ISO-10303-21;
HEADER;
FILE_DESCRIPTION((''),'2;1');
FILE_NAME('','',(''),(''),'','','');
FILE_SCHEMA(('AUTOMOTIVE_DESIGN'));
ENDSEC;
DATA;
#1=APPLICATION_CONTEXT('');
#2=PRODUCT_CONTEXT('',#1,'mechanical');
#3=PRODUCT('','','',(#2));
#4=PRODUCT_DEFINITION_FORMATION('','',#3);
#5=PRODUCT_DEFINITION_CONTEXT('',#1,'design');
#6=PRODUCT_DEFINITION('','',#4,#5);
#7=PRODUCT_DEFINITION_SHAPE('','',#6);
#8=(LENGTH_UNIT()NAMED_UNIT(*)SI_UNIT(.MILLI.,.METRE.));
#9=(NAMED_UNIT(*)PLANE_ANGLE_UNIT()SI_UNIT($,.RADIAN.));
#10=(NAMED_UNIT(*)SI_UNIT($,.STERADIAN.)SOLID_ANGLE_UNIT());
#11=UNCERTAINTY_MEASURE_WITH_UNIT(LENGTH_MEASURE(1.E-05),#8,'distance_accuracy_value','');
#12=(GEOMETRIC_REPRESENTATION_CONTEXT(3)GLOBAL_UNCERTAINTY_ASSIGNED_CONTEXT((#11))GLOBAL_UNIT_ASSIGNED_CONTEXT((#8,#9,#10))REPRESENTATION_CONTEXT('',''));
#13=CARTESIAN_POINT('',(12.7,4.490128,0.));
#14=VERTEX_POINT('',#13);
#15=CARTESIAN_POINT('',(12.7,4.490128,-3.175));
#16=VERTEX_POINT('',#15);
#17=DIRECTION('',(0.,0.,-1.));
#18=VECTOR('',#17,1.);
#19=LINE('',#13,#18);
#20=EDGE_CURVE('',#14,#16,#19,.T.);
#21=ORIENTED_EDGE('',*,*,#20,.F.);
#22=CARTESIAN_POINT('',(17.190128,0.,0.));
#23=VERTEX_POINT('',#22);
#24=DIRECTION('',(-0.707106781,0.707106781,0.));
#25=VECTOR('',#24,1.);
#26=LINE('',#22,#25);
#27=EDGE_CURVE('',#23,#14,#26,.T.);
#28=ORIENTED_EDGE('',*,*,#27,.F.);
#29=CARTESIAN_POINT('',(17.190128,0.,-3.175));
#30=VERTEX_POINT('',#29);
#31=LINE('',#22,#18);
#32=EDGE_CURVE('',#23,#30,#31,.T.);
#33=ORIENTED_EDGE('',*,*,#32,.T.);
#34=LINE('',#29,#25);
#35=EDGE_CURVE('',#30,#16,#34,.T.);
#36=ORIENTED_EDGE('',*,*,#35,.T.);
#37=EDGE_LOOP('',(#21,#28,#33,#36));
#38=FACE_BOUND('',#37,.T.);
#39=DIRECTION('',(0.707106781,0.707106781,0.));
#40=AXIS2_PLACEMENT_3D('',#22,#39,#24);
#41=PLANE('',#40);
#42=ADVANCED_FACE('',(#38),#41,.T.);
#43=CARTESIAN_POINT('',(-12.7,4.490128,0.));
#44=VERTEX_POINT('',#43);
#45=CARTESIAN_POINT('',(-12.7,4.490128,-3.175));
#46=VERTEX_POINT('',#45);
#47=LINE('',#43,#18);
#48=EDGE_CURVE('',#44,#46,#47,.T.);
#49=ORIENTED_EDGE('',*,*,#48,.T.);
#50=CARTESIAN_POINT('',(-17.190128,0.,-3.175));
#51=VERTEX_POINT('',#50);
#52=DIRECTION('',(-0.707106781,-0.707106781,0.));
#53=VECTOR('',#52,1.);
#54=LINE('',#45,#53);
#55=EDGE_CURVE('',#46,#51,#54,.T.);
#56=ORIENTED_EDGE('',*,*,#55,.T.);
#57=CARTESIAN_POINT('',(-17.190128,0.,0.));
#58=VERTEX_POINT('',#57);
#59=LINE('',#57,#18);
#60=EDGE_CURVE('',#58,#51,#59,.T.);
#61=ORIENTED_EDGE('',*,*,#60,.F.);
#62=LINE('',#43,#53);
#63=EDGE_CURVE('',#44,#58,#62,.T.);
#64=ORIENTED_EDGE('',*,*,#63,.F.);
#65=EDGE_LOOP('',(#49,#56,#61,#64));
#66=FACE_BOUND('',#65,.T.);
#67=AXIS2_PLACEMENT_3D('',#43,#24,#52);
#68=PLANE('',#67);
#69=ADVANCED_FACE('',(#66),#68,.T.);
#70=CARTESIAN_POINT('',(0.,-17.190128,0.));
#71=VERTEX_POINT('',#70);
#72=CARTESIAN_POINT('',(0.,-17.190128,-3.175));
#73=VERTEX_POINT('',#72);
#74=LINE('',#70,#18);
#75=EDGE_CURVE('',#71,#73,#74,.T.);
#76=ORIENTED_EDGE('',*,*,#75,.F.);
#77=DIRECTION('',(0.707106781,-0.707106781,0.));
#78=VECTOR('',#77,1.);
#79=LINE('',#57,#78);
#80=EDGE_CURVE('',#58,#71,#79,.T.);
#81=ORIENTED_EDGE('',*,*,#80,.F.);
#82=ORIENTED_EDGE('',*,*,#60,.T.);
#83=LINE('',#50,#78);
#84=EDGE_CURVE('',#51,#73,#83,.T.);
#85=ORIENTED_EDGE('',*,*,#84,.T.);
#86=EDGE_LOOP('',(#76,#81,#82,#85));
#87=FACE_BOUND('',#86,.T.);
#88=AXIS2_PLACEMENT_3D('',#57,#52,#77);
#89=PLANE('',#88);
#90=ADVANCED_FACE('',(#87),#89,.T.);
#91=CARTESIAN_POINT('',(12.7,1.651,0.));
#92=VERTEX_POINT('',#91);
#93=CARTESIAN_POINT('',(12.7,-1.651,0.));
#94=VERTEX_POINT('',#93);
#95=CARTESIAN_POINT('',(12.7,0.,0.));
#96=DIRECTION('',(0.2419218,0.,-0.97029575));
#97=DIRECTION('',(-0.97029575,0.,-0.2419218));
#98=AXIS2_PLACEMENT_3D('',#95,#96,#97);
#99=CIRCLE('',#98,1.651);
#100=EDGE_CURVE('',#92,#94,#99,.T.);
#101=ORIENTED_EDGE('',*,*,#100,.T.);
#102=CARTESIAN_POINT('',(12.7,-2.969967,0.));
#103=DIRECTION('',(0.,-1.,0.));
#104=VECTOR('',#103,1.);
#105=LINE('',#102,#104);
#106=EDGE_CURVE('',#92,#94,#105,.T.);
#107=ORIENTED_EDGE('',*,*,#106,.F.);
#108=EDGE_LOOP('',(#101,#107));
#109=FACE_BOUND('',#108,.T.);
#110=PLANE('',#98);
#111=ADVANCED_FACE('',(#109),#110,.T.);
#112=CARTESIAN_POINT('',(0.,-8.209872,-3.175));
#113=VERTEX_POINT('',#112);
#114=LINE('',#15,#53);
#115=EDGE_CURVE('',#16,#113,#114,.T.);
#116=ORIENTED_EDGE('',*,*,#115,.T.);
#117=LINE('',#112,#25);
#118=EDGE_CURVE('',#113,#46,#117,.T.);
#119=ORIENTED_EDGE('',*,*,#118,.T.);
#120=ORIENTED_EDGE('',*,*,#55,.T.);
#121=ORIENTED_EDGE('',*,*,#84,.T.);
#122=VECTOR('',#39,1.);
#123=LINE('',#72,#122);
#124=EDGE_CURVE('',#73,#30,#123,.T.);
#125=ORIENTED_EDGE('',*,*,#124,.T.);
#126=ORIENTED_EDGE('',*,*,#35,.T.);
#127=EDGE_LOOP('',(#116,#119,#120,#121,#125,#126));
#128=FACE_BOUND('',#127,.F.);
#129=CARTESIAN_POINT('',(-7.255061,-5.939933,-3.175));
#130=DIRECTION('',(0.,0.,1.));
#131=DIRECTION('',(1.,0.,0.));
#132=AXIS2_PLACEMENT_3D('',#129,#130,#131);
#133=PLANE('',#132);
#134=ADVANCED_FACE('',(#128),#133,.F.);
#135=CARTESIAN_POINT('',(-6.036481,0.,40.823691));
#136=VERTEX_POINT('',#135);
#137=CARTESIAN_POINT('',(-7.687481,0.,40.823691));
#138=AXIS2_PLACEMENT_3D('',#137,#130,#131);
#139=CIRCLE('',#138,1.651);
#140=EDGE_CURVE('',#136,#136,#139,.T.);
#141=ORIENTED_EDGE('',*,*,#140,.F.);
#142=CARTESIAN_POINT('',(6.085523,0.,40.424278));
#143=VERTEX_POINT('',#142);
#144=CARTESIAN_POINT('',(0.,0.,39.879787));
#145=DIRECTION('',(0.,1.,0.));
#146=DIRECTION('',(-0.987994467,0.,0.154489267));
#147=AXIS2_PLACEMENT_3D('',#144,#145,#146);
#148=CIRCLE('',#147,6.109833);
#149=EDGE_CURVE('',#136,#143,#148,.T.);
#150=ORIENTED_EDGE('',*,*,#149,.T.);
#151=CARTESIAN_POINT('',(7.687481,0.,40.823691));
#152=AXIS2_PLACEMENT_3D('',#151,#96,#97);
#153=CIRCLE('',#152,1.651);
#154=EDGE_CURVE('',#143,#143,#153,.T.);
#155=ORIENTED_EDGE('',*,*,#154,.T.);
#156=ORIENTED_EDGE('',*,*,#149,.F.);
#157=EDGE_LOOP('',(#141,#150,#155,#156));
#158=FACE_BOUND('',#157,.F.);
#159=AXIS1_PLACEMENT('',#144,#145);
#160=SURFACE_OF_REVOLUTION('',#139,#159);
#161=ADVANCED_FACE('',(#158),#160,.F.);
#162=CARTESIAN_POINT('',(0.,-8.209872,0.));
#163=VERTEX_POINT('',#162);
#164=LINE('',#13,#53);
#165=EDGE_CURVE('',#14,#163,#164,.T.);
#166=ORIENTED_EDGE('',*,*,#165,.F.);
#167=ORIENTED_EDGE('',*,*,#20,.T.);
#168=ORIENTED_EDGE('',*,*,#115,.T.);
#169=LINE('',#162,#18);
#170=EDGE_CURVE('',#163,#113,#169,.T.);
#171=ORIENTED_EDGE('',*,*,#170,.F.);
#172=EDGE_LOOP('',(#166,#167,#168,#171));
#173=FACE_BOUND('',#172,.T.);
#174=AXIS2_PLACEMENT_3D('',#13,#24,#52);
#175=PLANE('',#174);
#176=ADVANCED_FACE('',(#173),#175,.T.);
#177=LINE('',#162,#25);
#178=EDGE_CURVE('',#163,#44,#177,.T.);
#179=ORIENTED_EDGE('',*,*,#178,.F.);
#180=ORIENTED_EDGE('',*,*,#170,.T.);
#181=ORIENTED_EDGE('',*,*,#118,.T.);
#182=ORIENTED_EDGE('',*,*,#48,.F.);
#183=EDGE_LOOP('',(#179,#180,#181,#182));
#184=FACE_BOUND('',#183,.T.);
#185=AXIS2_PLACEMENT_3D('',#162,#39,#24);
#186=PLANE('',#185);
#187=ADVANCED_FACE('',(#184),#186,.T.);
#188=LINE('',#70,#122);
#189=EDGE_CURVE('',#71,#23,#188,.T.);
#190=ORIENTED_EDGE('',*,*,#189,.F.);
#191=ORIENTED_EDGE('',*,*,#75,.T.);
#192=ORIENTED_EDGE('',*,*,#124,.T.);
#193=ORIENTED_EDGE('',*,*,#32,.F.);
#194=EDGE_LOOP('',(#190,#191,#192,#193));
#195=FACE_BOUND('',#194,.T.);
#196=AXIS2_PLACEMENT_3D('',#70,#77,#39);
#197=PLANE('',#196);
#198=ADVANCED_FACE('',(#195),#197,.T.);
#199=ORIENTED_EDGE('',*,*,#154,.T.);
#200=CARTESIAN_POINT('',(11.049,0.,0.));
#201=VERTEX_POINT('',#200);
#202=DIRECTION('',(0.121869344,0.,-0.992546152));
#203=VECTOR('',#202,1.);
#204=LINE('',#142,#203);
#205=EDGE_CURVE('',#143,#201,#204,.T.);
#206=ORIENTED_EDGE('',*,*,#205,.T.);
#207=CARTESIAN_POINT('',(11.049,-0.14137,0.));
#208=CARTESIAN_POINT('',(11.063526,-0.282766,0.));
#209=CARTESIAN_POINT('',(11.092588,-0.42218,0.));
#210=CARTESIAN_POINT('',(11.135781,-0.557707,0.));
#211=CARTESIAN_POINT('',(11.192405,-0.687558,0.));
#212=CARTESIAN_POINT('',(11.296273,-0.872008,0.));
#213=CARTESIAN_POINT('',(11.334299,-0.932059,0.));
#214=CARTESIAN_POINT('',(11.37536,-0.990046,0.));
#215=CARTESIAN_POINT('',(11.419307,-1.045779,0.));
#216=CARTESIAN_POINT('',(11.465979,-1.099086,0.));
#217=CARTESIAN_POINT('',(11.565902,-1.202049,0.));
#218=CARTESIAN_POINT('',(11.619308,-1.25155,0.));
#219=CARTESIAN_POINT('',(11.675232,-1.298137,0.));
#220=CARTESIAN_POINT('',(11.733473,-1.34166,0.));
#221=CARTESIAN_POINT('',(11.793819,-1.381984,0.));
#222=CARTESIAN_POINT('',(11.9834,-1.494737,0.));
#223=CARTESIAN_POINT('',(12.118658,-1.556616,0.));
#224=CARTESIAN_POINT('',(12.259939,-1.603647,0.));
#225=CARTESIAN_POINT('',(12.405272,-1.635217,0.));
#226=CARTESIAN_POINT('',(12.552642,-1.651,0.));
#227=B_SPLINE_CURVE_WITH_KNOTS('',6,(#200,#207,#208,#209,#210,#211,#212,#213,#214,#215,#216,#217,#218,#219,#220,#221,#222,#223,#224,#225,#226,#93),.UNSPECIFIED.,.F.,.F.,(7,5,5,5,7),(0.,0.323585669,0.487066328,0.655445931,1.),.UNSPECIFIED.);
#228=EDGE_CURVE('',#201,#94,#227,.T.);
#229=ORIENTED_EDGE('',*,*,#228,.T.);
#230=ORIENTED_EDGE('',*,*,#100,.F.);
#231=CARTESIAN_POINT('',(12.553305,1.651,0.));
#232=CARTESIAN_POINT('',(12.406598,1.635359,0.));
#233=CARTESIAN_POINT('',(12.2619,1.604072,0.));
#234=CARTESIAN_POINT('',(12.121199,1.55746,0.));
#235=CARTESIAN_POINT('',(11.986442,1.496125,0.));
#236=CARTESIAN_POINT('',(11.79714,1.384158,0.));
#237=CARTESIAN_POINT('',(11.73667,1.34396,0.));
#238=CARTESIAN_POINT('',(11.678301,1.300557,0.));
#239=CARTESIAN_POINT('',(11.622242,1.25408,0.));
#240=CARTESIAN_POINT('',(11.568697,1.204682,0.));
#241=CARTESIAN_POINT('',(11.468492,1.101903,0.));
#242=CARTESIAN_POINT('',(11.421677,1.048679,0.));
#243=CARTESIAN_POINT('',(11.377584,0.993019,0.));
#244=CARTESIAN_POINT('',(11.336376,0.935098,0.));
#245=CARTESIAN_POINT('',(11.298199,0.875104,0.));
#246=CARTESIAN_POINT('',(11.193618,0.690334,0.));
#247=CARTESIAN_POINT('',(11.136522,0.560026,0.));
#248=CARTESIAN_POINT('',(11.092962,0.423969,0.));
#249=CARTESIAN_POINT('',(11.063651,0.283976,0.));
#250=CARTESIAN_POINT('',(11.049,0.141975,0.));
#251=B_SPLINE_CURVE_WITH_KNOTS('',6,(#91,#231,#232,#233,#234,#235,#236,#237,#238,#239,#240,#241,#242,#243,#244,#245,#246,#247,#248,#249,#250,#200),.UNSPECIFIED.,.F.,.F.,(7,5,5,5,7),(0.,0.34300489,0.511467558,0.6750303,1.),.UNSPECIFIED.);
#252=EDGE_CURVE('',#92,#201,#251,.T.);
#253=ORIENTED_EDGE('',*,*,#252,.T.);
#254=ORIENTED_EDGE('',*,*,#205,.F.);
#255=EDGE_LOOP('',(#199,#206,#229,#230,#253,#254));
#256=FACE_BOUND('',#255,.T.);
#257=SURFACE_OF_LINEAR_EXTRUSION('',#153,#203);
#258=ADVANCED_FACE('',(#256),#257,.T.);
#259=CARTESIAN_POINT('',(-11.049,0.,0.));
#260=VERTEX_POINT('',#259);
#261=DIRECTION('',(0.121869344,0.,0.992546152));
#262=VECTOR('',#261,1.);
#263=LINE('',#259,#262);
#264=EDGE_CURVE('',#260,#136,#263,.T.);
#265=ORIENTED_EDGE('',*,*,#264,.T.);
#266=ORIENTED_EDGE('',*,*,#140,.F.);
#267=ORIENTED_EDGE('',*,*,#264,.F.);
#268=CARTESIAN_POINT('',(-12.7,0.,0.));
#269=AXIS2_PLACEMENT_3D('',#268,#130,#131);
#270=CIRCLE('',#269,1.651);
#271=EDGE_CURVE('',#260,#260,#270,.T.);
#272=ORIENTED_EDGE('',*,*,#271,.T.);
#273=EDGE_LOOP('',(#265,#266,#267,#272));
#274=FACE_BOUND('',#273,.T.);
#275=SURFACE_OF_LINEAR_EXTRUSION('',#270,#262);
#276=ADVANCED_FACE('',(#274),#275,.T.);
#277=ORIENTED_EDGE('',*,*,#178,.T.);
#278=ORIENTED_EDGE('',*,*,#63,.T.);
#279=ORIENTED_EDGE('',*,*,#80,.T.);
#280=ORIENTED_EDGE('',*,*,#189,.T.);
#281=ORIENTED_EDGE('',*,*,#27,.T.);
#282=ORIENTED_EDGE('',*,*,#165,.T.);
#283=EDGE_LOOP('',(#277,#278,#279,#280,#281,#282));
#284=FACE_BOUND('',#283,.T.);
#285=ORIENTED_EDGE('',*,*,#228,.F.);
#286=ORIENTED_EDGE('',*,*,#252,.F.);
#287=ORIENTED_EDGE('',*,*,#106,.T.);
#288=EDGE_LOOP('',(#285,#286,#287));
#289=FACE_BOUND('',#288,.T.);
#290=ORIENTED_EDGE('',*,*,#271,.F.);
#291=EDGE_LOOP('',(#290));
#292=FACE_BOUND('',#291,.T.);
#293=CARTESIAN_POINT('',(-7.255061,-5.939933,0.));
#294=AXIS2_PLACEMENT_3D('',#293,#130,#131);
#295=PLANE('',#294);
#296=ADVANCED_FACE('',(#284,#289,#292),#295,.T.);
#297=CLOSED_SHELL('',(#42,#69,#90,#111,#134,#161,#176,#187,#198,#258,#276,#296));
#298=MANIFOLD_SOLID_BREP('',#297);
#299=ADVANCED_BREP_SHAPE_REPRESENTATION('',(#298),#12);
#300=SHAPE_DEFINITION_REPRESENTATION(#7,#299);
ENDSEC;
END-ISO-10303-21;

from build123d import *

# Parameters (mm, degrees)
F1_R     = 1.651
F4_DEPTH = 3.175


with BuildPart() as f2:
    # F2: sweep along a path in F0
    with BuildLine(Plane.XZ) as f2_path:
        Line((-12.7, 0), (-7.687481, 40.823691))
        ThreePointArc((-7.687481, 40.823691), (0, 47.625), (7.687481, 40.823691))
        Line((7.687481, 40.823691), (12.7, 0))
    # F1 (on Top) → F2 (sweep)
    with BuildSketch(Plane.XY):
        with Locations((-12.7, 0)):
            Circle(F1_R)
    sweep(path=f2_path.line)

    # F3 (on Top) → F4 (join)
    with BuildSketch(Plane.XY):
        Polygon((-17.190128, 0), (0, -17.190128), (0, -8.209872), (-12.7, 4.490128), align=None)
        Polygon((0, -8.209872), (0, -17.190128), (17.190128, 0), (12.7, 4.490128), align=None)
    extrude(amount=-F4_DEPTH)


solid = f2.part
